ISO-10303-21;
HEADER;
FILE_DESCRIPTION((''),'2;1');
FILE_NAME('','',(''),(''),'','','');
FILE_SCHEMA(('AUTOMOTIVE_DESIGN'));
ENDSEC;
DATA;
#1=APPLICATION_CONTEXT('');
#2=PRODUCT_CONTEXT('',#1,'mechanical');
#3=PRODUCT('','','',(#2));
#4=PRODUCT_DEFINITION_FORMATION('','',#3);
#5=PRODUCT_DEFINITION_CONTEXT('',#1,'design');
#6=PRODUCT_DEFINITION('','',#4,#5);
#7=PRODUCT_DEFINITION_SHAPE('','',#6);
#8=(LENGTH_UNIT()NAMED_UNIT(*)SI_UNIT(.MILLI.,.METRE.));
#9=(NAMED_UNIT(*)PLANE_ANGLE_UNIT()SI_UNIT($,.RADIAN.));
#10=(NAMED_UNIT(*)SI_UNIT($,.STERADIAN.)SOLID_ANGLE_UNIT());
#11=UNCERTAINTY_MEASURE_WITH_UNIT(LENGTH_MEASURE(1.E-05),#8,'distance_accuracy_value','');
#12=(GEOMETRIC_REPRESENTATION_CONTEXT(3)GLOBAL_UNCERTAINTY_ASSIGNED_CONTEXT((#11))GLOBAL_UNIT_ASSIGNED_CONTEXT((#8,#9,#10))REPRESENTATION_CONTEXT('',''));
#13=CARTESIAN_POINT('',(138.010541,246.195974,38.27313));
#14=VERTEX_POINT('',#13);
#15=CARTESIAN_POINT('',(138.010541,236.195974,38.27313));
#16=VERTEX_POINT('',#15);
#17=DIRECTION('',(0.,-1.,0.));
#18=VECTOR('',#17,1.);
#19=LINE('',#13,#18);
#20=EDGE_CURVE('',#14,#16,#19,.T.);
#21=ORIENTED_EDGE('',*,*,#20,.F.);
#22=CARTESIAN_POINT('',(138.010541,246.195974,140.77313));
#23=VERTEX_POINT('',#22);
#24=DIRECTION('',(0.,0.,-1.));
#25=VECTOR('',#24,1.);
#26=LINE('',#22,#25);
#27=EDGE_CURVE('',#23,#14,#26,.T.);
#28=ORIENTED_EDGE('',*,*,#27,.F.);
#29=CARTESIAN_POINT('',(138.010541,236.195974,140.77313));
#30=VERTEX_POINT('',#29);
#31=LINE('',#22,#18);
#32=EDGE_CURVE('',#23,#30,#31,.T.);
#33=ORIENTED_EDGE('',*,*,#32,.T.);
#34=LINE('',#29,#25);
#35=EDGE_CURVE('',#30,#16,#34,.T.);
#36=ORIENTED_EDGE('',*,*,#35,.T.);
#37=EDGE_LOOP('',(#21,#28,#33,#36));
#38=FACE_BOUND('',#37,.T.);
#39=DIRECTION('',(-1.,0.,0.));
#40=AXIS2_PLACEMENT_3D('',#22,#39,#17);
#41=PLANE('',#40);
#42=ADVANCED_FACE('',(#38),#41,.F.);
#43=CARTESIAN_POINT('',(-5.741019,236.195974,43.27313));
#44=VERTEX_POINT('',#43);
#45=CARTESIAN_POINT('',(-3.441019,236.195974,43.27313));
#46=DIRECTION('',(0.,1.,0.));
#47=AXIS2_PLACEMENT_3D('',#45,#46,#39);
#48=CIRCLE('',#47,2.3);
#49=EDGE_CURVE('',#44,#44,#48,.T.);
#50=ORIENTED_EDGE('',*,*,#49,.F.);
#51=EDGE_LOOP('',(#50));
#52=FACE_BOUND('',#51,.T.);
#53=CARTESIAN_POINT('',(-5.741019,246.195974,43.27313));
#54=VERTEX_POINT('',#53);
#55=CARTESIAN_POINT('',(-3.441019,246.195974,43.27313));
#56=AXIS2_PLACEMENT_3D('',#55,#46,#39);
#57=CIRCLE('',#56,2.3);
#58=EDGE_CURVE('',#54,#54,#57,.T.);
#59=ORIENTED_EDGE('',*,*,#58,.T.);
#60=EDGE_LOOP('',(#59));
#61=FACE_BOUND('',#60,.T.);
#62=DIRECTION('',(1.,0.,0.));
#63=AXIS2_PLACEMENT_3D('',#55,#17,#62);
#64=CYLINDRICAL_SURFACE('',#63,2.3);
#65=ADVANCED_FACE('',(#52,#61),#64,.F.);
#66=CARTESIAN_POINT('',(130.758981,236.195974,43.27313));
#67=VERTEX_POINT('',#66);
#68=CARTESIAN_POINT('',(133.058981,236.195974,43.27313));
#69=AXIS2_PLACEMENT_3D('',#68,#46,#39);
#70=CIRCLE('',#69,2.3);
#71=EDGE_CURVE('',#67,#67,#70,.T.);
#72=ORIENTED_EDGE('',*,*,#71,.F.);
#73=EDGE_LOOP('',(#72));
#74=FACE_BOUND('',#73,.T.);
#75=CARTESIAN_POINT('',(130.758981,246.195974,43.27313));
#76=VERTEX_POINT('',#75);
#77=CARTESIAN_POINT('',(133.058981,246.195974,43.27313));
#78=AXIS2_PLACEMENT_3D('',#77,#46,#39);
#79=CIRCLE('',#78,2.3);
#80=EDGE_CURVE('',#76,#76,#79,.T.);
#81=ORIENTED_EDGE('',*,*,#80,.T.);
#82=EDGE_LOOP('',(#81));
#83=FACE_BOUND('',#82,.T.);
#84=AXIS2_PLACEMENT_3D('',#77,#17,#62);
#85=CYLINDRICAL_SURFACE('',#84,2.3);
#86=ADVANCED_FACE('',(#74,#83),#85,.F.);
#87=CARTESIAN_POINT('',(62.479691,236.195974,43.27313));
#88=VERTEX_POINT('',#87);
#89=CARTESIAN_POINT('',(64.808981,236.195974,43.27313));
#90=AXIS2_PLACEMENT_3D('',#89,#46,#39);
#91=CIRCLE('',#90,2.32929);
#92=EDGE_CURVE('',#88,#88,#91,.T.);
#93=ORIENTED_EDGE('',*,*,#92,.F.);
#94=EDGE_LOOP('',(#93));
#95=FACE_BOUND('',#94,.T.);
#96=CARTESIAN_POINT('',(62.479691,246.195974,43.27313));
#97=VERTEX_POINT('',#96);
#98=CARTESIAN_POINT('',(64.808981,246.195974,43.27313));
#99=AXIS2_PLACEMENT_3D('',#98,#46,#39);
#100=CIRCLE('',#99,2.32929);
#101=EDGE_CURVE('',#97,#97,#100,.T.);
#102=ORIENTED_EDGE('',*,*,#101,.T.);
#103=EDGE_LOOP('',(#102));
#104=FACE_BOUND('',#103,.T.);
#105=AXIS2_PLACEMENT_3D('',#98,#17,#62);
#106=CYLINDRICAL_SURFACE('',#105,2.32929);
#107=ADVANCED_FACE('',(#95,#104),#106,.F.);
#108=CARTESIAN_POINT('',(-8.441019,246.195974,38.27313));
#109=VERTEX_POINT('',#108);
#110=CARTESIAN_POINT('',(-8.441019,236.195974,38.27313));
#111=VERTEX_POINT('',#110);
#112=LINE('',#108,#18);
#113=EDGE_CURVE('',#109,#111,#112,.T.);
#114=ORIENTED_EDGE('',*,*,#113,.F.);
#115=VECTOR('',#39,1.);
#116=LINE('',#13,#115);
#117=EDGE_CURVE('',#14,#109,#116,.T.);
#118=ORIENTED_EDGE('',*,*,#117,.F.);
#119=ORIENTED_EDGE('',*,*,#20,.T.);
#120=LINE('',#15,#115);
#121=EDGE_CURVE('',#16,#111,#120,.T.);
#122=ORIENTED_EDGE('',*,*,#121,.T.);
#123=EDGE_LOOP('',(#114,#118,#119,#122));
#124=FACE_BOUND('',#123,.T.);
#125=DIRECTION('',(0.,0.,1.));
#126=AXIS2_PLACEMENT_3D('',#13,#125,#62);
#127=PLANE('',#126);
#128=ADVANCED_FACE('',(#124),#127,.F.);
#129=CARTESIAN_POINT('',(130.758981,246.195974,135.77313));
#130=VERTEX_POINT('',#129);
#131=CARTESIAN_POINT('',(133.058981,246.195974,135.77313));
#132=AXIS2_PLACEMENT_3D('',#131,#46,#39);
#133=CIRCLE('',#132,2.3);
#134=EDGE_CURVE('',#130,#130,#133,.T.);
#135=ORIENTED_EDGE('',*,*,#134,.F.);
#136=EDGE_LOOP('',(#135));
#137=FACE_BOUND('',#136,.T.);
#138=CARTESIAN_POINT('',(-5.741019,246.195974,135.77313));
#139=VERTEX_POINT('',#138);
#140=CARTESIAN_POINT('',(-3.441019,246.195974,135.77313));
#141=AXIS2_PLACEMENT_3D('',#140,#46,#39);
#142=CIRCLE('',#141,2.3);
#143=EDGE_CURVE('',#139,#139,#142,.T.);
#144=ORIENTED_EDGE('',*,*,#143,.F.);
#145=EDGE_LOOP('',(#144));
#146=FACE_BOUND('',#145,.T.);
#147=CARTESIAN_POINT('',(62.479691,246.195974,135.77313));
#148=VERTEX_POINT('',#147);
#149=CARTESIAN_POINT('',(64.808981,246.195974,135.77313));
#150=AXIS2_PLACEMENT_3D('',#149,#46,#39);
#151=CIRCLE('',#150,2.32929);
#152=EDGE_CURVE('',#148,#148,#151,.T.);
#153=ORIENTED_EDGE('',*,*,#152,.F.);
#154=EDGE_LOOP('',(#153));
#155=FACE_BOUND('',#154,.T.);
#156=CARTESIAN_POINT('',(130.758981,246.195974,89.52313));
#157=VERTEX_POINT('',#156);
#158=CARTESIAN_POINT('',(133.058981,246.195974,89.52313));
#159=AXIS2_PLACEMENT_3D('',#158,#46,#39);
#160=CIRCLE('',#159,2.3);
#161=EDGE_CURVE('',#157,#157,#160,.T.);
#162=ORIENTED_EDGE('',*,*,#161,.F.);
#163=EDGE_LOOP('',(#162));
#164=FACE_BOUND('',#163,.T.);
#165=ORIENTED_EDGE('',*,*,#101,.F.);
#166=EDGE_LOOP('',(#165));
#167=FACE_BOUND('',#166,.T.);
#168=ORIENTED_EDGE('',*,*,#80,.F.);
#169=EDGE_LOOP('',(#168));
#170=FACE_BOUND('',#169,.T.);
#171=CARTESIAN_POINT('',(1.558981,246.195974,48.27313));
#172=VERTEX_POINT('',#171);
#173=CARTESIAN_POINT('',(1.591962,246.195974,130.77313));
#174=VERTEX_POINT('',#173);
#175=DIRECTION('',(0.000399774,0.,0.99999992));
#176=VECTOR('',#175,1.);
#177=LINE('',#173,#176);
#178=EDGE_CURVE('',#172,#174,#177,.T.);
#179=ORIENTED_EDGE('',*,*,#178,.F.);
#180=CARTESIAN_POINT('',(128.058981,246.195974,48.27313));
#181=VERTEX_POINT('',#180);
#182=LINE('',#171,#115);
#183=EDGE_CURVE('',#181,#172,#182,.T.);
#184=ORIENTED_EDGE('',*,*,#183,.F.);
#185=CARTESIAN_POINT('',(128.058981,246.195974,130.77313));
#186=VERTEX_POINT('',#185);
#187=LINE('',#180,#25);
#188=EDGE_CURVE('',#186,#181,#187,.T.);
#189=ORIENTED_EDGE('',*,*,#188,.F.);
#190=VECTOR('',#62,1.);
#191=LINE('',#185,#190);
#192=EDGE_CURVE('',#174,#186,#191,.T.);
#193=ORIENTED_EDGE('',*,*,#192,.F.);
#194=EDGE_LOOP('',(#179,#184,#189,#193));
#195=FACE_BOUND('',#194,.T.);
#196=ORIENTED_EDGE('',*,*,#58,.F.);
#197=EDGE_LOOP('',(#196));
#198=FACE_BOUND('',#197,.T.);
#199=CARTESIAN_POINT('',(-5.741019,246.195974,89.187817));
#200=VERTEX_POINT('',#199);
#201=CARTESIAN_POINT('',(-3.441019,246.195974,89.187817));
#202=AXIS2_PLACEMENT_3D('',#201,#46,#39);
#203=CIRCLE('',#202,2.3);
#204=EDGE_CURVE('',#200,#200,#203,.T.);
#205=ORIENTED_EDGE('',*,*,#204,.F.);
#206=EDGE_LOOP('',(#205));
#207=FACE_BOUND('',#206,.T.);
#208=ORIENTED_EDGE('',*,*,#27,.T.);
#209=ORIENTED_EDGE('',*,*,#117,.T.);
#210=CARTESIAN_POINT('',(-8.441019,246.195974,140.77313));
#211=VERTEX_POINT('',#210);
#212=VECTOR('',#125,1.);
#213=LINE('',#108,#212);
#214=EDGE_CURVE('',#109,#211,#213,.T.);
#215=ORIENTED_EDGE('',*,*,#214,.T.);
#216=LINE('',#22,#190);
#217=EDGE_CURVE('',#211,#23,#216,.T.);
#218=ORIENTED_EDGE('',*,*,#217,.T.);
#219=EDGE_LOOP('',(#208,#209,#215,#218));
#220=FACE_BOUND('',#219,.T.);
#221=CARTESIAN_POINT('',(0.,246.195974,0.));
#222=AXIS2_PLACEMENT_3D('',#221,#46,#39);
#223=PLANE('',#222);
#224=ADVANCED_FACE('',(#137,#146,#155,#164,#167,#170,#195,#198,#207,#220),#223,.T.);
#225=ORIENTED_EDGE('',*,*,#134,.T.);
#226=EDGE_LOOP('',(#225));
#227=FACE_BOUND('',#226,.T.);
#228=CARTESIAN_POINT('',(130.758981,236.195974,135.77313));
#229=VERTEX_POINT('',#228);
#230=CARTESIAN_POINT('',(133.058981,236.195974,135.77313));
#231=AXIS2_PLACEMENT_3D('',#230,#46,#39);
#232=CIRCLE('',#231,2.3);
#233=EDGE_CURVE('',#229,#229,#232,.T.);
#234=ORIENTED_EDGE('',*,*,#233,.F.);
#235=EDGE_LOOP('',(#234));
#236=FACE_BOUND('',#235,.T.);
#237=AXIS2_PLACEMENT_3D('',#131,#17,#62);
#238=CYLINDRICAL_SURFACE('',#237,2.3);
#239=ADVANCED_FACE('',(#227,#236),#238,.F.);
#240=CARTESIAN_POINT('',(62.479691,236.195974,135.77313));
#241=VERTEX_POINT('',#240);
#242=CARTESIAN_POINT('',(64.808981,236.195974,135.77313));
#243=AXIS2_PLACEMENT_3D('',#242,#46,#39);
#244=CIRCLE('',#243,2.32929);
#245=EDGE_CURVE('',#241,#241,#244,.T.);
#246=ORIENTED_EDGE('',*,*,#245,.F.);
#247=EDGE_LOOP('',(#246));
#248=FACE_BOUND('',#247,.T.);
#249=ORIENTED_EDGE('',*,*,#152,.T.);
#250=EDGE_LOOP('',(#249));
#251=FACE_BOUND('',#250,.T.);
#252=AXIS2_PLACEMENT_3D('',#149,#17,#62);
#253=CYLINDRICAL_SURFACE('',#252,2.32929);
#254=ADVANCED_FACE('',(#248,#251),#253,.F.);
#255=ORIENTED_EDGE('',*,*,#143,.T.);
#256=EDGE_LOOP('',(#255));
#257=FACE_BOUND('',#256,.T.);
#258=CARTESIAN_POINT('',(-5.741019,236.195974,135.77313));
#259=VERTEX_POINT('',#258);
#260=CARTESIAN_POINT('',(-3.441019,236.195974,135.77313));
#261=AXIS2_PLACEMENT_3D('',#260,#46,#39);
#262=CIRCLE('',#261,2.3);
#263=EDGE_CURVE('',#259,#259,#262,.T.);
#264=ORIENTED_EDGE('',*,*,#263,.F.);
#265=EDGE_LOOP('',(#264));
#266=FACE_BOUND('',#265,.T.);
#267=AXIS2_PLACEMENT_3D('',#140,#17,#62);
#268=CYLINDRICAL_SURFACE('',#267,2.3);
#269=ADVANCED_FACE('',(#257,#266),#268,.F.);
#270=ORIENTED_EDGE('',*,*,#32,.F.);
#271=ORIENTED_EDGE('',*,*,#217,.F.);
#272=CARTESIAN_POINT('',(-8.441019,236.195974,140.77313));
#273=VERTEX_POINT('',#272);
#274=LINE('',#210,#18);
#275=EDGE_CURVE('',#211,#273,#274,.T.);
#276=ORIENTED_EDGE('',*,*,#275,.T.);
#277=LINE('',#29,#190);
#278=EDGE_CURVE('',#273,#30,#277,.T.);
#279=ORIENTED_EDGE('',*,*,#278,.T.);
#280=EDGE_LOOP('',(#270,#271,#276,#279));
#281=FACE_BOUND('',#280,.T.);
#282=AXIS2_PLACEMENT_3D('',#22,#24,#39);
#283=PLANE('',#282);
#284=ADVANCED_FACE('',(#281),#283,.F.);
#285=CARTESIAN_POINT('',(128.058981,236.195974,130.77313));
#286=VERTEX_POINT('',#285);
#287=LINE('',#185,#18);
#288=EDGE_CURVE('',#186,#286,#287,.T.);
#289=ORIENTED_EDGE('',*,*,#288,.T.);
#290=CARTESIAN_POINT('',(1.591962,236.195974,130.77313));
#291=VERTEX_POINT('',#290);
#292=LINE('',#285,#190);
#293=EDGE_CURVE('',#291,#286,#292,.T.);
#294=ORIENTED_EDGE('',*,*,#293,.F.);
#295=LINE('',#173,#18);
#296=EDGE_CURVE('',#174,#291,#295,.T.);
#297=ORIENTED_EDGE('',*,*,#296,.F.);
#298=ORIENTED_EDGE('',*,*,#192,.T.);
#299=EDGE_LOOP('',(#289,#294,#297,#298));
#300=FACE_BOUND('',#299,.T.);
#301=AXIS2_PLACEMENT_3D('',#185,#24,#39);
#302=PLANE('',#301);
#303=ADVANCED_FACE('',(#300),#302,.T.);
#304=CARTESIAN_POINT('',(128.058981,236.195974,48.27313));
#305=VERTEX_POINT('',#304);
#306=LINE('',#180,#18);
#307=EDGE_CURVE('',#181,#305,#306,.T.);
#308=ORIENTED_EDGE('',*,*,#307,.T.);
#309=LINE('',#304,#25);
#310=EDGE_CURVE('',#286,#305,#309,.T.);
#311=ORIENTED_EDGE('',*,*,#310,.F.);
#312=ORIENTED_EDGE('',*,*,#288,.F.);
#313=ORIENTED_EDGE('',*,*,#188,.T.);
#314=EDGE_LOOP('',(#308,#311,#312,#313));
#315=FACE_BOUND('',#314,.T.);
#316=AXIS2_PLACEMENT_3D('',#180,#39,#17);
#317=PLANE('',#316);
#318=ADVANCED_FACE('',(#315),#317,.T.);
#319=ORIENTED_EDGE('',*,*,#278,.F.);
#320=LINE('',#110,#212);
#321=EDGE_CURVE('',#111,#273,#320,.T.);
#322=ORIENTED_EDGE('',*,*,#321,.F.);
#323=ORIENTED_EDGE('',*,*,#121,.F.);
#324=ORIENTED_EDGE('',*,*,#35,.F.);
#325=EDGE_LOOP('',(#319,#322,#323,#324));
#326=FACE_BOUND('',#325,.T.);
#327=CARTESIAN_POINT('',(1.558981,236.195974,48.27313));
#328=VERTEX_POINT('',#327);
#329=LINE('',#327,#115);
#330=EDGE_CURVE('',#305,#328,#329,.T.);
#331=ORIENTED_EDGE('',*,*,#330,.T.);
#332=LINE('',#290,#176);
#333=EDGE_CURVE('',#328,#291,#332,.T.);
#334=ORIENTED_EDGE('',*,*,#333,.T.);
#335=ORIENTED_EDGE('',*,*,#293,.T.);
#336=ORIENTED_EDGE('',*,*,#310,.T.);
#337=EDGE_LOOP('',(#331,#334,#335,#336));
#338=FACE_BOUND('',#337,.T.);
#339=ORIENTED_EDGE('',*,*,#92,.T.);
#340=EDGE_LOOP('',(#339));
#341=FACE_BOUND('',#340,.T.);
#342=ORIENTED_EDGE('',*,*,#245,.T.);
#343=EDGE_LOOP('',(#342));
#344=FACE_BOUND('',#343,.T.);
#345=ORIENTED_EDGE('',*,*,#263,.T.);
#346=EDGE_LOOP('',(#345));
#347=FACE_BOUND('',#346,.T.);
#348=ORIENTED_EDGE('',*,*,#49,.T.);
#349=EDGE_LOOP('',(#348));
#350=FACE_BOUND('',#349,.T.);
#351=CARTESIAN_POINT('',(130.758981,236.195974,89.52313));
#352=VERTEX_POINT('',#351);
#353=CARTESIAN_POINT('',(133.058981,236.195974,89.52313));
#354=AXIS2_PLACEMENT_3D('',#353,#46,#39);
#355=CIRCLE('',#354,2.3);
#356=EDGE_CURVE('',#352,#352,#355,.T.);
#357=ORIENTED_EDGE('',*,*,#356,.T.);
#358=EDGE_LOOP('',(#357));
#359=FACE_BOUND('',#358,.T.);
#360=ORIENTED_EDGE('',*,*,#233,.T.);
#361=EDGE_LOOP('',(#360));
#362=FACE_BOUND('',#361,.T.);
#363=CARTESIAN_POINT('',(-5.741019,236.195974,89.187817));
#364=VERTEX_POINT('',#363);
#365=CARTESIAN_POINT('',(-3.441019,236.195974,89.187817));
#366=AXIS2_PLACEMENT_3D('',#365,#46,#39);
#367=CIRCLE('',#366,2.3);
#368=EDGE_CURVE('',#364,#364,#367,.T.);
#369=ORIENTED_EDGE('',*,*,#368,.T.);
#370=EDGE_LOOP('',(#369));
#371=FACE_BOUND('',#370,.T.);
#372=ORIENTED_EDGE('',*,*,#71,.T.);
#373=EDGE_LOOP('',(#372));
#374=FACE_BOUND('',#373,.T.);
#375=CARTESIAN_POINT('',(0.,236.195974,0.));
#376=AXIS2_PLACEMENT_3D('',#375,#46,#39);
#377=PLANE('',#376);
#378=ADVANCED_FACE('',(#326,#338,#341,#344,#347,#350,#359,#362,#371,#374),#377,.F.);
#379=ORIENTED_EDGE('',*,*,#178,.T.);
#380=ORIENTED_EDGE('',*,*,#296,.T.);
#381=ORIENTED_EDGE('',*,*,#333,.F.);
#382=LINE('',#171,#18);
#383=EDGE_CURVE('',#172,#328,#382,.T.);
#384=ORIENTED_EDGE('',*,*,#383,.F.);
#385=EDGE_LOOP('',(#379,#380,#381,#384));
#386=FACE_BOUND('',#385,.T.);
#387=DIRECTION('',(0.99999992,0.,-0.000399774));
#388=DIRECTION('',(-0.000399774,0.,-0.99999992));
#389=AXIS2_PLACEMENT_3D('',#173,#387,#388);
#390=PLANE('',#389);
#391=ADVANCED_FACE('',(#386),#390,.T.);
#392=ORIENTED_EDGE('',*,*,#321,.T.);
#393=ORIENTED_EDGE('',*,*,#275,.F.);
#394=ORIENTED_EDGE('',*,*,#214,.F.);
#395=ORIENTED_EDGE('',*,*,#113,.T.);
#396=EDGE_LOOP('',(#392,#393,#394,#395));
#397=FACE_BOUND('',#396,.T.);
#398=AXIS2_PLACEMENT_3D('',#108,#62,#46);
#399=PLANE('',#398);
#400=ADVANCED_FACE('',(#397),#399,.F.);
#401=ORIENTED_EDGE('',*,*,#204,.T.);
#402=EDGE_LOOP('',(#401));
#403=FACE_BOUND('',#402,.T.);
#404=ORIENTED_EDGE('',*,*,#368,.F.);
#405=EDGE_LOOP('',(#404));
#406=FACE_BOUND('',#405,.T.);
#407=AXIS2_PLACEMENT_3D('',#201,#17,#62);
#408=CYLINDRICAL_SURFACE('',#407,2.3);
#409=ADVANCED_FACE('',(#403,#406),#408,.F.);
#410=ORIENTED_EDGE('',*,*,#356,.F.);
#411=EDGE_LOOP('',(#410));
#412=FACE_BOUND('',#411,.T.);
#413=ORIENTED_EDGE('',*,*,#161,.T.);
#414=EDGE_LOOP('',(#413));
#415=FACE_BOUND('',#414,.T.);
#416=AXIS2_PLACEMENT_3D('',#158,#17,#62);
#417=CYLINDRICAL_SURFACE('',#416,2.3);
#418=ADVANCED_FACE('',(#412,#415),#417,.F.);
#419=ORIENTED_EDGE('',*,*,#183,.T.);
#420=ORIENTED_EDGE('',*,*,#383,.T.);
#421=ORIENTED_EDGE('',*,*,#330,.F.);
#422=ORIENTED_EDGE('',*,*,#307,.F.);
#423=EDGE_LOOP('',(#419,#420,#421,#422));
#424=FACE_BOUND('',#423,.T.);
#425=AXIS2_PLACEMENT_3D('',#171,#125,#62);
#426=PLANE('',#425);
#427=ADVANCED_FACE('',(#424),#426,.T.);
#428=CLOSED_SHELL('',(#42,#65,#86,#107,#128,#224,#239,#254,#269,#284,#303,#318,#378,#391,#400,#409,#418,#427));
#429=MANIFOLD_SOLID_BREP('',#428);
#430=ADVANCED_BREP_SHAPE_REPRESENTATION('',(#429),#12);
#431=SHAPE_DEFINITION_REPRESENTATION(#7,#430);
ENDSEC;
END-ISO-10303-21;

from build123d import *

# Parameters (mm, degrees)
SKETCH_1_W      = 146.451560669
SKETCH_1_H      = 102.5
SKETCH_1_R      = 2.329290182
SKETCH_1_R_2    = 2.3
EXTRUDE_1_DEPTH = 10


with BuildPart() as part:
    # Эскиз1 → Бобышка-Вытянуть1 (new body)
    with BuildSketch(Plane(origin=(0, 236.195974268, 0), x_dir=(1, 0, 0), z_dir=(0, 1, 0))):
        with Locations((64.784761029, -89.523129836)):
            Rectangle(SKETCH_1_W, SKETCH_1_H)
        with Locations(Location((64.808980694, -43.273129836, 0), (0, 0, 180))):
            Circle(SKETCH_1_R, mode=Mode.SUBTRACT)
        with Locations(Location((-3.441019306, -89.187817333, 0), (0, 0, 180))):
            Circle(SKETCH_1_R_2, mode=Mode.SUBTRACT)
        with Locations(Location((64.808980694, -135.773129836, 0), (0, 0, 180))):
            Circle(SKETCH_1_R, mode=Mode.SUBTRACT)
        with Locations(Location((133.058980694, -89.523129836, 0), (0, 0, 180))):
            Circle(SKETCH_1_R_2, mode=Mode.SUBTRACT)
        with Locations(Location((-3.441019306, -43.273129836, 0), (0, 0, 180))):
            Circle(SKETCH_1_R_2, mode=Mode.SUBTRACT)
        with Locations(Location((133.058980694, -43.273129836, 0), (0, 0, 180))):
            Circle(SKETCH_1_R_2, mode=Mode.SUBTRACT)
        with Locations(Location((133.058980694, -135.773129836, 0), (0, 0, 180))):
            Circle(SKETCH_1_R_2, mode=Mode.SUBTRACT)
        with Locations(Location((-3.441019306, -135.773129836, 0), (0, 0, 180))):
            Circle(SKETCH_1_R_2, mode=Mode.SUBTRACT)
        Polygon((1.591962046, -130.773129836), (1.558980694, -48.273129836), (128.058980694, -48.273129836), (128.058980694, -130.773129836), align=None, mode=Mode.SUBTRACT)
    extrude(amount=EXTRUDE_1_DEPTH)


solid = part.part
